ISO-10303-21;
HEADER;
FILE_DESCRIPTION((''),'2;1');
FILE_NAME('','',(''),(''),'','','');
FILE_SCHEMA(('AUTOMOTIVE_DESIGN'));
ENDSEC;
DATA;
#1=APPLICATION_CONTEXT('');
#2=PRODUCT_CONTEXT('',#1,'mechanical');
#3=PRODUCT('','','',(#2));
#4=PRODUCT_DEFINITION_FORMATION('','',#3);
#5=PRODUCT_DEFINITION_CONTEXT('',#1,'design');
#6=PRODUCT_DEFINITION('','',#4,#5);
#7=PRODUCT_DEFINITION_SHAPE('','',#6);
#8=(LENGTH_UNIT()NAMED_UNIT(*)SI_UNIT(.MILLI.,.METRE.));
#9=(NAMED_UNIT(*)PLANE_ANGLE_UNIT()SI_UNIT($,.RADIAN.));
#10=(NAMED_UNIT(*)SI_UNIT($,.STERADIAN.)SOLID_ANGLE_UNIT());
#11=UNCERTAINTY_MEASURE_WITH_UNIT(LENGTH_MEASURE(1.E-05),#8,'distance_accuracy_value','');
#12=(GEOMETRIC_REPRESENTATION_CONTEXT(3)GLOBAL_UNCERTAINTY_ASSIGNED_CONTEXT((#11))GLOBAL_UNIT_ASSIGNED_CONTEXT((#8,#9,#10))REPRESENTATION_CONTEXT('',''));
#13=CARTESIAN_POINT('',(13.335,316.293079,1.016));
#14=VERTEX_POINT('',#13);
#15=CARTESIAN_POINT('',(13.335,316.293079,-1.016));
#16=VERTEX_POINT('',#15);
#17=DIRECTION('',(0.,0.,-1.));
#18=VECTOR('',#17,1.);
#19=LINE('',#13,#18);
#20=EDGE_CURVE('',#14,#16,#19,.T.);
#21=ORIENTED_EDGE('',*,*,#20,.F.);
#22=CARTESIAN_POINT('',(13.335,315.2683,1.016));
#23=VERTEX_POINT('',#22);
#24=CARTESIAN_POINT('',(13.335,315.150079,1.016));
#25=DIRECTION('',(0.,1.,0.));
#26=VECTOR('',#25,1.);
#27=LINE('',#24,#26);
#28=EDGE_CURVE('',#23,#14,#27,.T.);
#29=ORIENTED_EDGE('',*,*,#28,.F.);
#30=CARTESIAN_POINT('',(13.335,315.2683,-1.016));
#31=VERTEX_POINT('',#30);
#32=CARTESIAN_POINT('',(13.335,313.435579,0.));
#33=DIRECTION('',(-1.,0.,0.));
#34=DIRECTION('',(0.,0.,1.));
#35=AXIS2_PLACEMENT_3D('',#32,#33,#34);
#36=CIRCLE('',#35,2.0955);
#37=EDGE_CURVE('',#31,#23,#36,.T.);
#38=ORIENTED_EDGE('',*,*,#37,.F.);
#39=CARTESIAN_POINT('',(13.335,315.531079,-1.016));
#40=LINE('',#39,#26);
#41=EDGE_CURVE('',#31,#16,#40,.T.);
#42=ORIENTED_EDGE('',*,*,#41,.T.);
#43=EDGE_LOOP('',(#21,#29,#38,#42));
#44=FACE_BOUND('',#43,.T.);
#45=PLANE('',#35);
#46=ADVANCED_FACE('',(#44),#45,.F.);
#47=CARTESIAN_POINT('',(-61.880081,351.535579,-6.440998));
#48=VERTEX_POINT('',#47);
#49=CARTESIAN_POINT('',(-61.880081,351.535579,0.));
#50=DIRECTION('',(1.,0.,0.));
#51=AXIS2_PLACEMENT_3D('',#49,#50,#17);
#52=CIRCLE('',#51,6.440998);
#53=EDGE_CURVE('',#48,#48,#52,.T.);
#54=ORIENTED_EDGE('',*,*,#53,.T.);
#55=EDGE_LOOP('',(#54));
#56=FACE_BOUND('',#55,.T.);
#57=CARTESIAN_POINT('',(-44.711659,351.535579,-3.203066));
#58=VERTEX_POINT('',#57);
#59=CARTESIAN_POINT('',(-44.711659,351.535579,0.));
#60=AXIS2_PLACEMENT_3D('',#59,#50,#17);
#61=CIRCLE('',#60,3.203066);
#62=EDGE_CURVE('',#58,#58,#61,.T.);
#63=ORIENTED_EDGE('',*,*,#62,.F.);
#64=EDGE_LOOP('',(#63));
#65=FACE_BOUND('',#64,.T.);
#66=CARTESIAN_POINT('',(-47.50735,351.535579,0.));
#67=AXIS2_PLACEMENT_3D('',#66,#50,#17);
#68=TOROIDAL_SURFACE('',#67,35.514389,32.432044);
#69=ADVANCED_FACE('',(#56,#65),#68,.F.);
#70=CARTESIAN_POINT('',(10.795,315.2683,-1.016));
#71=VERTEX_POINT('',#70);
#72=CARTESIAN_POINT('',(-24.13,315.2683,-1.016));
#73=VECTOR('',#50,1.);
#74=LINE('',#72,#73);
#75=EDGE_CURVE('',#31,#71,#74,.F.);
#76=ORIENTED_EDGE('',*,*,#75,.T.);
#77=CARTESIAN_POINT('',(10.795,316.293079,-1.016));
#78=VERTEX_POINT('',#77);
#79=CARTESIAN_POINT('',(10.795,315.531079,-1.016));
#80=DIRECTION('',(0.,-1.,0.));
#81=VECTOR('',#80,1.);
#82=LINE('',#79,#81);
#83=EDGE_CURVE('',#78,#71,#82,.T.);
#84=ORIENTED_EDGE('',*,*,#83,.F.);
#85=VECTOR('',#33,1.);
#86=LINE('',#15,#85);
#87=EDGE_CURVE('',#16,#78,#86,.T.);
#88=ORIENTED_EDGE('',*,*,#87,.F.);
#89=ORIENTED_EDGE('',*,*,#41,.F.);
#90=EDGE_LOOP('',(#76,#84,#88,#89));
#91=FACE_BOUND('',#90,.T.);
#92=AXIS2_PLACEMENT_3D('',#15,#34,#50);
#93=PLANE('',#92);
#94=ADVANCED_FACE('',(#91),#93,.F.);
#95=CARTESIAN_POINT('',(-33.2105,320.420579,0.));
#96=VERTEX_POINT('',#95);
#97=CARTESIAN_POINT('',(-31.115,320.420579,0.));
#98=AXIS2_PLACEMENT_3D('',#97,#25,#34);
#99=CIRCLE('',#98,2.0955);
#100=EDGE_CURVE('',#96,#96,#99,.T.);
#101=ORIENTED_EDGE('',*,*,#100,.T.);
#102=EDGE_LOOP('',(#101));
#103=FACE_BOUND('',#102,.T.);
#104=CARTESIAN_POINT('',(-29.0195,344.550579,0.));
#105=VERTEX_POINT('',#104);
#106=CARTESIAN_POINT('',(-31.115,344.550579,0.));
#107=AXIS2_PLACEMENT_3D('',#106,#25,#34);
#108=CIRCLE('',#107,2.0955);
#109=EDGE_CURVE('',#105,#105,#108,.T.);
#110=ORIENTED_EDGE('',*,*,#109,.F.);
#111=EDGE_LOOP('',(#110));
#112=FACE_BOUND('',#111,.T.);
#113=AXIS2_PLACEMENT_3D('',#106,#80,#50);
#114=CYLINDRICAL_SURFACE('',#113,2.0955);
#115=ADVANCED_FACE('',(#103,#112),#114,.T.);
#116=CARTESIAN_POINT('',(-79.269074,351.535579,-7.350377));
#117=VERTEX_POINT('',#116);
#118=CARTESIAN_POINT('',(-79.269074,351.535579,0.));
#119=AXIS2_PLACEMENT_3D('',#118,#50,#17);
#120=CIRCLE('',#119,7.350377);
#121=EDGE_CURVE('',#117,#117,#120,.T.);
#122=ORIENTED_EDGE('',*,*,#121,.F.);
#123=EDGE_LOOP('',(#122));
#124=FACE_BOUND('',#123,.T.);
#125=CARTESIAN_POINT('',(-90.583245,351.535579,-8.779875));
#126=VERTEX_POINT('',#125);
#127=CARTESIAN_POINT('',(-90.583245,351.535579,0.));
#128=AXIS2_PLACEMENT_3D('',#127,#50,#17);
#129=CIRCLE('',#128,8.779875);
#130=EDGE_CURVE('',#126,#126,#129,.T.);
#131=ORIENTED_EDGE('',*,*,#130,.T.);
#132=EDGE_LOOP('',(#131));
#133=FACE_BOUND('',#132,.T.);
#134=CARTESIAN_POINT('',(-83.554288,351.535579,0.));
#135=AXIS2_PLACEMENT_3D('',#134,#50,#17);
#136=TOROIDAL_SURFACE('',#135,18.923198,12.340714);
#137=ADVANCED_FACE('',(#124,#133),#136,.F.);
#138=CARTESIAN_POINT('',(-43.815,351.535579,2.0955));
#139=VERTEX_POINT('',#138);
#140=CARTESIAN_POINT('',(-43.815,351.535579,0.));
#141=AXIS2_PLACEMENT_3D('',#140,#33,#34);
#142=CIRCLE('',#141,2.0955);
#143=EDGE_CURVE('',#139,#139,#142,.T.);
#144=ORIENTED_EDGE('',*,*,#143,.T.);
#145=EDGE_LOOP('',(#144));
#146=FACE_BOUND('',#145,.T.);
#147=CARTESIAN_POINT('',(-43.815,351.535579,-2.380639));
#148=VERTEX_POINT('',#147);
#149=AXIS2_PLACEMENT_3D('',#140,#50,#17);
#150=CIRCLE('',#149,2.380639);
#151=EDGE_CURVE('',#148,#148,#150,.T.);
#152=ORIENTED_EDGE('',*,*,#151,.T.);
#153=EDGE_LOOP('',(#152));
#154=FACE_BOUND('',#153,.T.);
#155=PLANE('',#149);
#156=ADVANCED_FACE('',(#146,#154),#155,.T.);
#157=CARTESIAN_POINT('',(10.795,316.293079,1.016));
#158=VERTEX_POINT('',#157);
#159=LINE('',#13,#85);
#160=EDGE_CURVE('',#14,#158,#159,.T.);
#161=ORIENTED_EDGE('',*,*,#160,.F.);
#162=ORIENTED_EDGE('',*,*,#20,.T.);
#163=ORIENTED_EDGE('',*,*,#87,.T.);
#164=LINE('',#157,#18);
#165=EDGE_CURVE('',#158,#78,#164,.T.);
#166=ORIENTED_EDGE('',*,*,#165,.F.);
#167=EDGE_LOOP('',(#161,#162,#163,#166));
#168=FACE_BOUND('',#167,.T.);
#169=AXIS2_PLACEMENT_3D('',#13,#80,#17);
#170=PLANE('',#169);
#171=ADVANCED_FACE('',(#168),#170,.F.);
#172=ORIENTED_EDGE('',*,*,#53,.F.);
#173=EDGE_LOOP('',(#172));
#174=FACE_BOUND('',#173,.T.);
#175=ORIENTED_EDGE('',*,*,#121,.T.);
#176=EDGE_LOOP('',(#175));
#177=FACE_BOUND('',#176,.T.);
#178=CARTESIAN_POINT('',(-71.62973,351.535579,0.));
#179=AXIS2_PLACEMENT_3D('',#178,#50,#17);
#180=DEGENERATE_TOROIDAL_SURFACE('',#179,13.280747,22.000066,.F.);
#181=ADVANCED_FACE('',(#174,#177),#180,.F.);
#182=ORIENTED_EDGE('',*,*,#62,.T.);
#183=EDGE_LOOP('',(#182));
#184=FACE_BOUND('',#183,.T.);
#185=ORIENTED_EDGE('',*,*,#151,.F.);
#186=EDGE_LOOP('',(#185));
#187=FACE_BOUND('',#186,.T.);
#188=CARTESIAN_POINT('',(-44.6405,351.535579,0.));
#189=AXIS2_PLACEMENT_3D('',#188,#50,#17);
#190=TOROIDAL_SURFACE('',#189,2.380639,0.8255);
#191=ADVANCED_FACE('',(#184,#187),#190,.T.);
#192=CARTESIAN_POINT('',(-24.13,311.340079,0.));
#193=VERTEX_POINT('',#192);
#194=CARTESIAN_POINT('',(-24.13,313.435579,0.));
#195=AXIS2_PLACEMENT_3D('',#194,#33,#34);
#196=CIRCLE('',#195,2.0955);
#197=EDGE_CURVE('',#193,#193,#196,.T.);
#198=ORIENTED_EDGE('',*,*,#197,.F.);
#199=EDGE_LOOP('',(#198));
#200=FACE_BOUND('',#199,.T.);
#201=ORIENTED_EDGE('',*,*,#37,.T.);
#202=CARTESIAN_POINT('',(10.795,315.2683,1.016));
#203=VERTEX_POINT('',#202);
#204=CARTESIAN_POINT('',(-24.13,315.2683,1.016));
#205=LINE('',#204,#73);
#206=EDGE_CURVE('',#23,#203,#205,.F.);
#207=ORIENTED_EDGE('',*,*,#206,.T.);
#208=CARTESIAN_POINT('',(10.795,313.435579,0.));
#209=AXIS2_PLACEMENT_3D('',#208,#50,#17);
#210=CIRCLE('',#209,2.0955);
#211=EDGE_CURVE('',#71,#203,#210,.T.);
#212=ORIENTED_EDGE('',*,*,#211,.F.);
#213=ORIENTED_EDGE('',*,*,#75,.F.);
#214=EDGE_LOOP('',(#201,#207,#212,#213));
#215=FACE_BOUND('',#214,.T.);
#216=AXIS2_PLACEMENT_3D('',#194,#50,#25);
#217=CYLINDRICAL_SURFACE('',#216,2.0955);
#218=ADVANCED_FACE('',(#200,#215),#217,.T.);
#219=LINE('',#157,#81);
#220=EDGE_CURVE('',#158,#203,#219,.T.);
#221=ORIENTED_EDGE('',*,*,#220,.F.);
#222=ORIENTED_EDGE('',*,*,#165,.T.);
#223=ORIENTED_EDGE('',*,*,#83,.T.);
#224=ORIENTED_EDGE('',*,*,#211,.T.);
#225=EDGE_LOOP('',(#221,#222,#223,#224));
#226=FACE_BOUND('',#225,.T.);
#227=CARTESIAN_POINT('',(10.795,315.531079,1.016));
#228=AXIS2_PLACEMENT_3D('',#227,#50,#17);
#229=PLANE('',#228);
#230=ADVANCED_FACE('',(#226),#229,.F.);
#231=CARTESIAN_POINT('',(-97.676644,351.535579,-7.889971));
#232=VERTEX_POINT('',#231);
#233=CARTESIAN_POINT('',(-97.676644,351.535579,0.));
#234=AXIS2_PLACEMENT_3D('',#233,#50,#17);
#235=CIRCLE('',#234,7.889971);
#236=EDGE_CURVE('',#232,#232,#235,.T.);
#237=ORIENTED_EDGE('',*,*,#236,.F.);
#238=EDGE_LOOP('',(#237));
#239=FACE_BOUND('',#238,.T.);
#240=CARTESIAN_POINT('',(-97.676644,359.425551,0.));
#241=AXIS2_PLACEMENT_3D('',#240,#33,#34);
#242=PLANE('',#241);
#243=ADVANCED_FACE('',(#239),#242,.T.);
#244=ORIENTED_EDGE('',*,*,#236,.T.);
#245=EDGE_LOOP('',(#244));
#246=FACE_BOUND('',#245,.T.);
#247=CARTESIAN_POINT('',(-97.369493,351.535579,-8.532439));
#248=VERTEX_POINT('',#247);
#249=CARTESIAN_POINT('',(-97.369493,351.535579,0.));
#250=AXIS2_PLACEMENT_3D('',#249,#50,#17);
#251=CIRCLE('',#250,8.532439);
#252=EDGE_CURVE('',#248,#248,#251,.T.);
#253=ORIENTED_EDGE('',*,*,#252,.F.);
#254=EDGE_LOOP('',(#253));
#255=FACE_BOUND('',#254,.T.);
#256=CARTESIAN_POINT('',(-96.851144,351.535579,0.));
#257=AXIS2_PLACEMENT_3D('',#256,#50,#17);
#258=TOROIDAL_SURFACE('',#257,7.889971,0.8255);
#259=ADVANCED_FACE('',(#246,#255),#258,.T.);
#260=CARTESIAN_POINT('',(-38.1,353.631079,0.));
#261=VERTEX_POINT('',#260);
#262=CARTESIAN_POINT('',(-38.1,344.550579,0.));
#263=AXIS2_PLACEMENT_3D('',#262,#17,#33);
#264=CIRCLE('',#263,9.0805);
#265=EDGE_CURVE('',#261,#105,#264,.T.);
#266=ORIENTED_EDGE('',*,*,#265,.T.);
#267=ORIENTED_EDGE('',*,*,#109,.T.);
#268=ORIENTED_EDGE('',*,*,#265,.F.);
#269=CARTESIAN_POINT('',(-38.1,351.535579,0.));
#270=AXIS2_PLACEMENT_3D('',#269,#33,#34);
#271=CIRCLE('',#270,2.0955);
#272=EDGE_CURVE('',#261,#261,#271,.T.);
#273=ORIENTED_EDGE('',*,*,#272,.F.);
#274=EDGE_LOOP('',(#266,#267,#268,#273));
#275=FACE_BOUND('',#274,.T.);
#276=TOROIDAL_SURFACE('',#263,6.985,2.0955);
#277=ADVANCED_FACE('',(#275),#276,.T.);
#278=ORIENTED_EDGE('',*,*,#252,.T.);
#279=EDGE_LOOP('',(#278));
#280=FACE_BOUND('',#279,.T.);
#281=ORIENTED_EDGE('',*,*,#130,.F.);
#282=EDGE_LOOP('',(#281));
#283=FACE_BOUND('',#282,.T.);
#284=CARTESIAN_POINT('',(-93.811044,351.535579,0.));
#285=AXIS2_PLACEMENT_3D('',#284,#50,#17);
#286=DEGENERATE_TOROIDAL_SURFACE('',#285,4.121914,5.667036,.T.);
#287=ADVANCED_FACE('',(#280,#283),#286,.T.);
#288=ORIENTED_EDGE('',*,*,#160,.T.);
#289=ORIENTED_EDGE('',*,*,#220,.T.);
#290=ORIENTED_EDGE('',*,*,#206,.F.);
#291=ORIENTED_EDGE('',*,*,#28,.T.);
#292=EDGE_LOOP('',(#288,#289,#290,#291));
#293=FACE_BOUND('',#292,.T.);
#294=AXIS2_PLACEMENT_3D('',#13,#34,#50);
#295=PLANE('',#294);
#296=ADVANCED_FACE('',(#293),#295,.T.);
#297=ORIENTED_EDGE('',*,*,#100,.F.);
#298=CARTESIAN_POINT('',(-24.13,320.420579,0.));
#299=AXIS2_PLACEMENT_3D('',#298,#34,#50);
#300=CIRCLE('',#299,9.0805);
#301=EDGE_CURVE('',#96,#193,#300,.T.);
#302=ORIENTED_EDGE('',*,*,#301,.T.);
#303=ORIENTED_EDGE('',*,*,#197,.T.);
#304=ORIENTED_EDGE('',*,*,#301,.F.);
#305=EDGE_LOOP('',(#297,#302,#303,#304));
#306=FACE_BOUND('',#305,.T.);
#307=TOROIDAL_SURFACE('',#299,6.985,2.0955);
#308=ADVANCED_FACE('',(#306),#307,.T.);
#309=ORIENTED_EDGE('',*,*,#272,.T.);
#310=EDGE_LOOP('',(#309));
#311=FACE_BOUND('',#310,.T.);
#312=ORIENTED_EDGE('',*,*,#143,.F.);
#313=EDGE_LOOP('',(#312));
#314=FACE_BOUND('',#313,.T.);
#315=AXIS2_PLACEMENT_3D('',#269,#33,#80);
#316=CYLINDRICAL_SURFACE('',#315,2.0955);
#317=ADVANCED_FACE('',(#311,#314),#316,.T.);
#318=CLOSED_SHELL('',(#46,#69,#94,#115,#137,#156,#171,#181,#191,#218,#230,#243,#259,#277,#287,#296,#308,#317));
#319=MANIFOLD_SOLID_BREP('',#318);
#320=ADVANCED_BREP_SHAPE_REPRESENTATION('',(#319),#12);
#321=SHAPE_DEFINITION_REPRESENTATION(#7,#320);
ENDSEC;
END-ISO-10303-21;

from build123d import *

# Parameters (mm, degrees)
SKETCH2_R      = 2.0955
EXTRUDE1_DEPTH = 1.016


with BuildPart() as part:
    # Sweep1: sweep along a path in Sketch1
    with BuildLine(Plane.XY) as sweep1_path:
        Line((13.335, 313.435579419), (-24.13, 313.435579419))
        ThreePointArc((-24.13, 313.435579419), (-29.069140867, 315.481438553), (-31.115, 320.420579419))
        Line((-31.115, 320.420579419), (-31.115, 344.550579419))
        ThreePointArc((-31.115, 344.550579419), (-33.160859133, 349.489720286), (-38.1, 351.535579419))
        Line((-38.1, 351.535579419), (-43.815, 351.535579419))
    # Sketch2 → Sweep1 (sweep)
    with BuildSketch(Plane(origin=(-43.815, 351.535579419, 0), x_dir=(0, 0, 1), z_dir=(-1, 0, 0))):
        Circle(SKETCH2_R)
    sweep(path=sweep1_path.line)

    # Sketch4 → Extrude1 (add, symmetric)
    with BuildSketch(Plane.XY):
        Polygon((13.335, 315.531079419), (13.335, 316.293079419), (10.795, 316.293079419), (10.795, 315.531079419), (10.795, 315.150079419), (13.335, 315.150079419), align=None)
    extrude(amount=EXTRUDE1_DEPTH, both=True)

    # Sketch3 → Revolve1 (revolve)
    with BuildSketch(Plane.XY, mode=Mode.PRIVATE) as revolve1_sk:
        with BuildLine():
            Line((-43.815, 351.535579419), (-43.815, 353.91621831))
            ThreePointArc((-43.815, 353.91621831), (-44.082508862, 354.524573585), (-44.711659333, 354.738645571))
            ThreePointArc((-44.711659333, 354.738645571), (-53.518008702, 355.179771483), (-61.880081305, 357.976577351))
            ThreePointArc((-61.880081305, 357.976577351), (-70.480778882, 360.224875159), (-79.269074427, 358.885956476))
            ThreePointArc((-79.269074427, 358.885956476), (-85.101187268, 358.215398069), (-90.583244511, 360.315454537))
            ThreePointArc((-90.583244511, 360.315454537), (-94.017534607, 361.320765641), (-97.369492861, 360.06801876))
            ThreePointArc((-97.369492861, 360.06801876), (-97.595908404, 359.781608069), (-97.676644372, 359.42555079))
            Line((-97.676644372, 359.42555079), (-97.676644372, 351.535579419))
            Line((-97.676644372, 351.535579419), (-43.815, 351.535579419))
        make_face()
    revolve(revolve1_sk.sketch.rotate(Axis((-38.1, 351.535579419, 0), (-1, 0, 0)), 90), axis=Axis((-38.1, 351.535579419, 0), (-1, 0, 0)))


solid = part.part
